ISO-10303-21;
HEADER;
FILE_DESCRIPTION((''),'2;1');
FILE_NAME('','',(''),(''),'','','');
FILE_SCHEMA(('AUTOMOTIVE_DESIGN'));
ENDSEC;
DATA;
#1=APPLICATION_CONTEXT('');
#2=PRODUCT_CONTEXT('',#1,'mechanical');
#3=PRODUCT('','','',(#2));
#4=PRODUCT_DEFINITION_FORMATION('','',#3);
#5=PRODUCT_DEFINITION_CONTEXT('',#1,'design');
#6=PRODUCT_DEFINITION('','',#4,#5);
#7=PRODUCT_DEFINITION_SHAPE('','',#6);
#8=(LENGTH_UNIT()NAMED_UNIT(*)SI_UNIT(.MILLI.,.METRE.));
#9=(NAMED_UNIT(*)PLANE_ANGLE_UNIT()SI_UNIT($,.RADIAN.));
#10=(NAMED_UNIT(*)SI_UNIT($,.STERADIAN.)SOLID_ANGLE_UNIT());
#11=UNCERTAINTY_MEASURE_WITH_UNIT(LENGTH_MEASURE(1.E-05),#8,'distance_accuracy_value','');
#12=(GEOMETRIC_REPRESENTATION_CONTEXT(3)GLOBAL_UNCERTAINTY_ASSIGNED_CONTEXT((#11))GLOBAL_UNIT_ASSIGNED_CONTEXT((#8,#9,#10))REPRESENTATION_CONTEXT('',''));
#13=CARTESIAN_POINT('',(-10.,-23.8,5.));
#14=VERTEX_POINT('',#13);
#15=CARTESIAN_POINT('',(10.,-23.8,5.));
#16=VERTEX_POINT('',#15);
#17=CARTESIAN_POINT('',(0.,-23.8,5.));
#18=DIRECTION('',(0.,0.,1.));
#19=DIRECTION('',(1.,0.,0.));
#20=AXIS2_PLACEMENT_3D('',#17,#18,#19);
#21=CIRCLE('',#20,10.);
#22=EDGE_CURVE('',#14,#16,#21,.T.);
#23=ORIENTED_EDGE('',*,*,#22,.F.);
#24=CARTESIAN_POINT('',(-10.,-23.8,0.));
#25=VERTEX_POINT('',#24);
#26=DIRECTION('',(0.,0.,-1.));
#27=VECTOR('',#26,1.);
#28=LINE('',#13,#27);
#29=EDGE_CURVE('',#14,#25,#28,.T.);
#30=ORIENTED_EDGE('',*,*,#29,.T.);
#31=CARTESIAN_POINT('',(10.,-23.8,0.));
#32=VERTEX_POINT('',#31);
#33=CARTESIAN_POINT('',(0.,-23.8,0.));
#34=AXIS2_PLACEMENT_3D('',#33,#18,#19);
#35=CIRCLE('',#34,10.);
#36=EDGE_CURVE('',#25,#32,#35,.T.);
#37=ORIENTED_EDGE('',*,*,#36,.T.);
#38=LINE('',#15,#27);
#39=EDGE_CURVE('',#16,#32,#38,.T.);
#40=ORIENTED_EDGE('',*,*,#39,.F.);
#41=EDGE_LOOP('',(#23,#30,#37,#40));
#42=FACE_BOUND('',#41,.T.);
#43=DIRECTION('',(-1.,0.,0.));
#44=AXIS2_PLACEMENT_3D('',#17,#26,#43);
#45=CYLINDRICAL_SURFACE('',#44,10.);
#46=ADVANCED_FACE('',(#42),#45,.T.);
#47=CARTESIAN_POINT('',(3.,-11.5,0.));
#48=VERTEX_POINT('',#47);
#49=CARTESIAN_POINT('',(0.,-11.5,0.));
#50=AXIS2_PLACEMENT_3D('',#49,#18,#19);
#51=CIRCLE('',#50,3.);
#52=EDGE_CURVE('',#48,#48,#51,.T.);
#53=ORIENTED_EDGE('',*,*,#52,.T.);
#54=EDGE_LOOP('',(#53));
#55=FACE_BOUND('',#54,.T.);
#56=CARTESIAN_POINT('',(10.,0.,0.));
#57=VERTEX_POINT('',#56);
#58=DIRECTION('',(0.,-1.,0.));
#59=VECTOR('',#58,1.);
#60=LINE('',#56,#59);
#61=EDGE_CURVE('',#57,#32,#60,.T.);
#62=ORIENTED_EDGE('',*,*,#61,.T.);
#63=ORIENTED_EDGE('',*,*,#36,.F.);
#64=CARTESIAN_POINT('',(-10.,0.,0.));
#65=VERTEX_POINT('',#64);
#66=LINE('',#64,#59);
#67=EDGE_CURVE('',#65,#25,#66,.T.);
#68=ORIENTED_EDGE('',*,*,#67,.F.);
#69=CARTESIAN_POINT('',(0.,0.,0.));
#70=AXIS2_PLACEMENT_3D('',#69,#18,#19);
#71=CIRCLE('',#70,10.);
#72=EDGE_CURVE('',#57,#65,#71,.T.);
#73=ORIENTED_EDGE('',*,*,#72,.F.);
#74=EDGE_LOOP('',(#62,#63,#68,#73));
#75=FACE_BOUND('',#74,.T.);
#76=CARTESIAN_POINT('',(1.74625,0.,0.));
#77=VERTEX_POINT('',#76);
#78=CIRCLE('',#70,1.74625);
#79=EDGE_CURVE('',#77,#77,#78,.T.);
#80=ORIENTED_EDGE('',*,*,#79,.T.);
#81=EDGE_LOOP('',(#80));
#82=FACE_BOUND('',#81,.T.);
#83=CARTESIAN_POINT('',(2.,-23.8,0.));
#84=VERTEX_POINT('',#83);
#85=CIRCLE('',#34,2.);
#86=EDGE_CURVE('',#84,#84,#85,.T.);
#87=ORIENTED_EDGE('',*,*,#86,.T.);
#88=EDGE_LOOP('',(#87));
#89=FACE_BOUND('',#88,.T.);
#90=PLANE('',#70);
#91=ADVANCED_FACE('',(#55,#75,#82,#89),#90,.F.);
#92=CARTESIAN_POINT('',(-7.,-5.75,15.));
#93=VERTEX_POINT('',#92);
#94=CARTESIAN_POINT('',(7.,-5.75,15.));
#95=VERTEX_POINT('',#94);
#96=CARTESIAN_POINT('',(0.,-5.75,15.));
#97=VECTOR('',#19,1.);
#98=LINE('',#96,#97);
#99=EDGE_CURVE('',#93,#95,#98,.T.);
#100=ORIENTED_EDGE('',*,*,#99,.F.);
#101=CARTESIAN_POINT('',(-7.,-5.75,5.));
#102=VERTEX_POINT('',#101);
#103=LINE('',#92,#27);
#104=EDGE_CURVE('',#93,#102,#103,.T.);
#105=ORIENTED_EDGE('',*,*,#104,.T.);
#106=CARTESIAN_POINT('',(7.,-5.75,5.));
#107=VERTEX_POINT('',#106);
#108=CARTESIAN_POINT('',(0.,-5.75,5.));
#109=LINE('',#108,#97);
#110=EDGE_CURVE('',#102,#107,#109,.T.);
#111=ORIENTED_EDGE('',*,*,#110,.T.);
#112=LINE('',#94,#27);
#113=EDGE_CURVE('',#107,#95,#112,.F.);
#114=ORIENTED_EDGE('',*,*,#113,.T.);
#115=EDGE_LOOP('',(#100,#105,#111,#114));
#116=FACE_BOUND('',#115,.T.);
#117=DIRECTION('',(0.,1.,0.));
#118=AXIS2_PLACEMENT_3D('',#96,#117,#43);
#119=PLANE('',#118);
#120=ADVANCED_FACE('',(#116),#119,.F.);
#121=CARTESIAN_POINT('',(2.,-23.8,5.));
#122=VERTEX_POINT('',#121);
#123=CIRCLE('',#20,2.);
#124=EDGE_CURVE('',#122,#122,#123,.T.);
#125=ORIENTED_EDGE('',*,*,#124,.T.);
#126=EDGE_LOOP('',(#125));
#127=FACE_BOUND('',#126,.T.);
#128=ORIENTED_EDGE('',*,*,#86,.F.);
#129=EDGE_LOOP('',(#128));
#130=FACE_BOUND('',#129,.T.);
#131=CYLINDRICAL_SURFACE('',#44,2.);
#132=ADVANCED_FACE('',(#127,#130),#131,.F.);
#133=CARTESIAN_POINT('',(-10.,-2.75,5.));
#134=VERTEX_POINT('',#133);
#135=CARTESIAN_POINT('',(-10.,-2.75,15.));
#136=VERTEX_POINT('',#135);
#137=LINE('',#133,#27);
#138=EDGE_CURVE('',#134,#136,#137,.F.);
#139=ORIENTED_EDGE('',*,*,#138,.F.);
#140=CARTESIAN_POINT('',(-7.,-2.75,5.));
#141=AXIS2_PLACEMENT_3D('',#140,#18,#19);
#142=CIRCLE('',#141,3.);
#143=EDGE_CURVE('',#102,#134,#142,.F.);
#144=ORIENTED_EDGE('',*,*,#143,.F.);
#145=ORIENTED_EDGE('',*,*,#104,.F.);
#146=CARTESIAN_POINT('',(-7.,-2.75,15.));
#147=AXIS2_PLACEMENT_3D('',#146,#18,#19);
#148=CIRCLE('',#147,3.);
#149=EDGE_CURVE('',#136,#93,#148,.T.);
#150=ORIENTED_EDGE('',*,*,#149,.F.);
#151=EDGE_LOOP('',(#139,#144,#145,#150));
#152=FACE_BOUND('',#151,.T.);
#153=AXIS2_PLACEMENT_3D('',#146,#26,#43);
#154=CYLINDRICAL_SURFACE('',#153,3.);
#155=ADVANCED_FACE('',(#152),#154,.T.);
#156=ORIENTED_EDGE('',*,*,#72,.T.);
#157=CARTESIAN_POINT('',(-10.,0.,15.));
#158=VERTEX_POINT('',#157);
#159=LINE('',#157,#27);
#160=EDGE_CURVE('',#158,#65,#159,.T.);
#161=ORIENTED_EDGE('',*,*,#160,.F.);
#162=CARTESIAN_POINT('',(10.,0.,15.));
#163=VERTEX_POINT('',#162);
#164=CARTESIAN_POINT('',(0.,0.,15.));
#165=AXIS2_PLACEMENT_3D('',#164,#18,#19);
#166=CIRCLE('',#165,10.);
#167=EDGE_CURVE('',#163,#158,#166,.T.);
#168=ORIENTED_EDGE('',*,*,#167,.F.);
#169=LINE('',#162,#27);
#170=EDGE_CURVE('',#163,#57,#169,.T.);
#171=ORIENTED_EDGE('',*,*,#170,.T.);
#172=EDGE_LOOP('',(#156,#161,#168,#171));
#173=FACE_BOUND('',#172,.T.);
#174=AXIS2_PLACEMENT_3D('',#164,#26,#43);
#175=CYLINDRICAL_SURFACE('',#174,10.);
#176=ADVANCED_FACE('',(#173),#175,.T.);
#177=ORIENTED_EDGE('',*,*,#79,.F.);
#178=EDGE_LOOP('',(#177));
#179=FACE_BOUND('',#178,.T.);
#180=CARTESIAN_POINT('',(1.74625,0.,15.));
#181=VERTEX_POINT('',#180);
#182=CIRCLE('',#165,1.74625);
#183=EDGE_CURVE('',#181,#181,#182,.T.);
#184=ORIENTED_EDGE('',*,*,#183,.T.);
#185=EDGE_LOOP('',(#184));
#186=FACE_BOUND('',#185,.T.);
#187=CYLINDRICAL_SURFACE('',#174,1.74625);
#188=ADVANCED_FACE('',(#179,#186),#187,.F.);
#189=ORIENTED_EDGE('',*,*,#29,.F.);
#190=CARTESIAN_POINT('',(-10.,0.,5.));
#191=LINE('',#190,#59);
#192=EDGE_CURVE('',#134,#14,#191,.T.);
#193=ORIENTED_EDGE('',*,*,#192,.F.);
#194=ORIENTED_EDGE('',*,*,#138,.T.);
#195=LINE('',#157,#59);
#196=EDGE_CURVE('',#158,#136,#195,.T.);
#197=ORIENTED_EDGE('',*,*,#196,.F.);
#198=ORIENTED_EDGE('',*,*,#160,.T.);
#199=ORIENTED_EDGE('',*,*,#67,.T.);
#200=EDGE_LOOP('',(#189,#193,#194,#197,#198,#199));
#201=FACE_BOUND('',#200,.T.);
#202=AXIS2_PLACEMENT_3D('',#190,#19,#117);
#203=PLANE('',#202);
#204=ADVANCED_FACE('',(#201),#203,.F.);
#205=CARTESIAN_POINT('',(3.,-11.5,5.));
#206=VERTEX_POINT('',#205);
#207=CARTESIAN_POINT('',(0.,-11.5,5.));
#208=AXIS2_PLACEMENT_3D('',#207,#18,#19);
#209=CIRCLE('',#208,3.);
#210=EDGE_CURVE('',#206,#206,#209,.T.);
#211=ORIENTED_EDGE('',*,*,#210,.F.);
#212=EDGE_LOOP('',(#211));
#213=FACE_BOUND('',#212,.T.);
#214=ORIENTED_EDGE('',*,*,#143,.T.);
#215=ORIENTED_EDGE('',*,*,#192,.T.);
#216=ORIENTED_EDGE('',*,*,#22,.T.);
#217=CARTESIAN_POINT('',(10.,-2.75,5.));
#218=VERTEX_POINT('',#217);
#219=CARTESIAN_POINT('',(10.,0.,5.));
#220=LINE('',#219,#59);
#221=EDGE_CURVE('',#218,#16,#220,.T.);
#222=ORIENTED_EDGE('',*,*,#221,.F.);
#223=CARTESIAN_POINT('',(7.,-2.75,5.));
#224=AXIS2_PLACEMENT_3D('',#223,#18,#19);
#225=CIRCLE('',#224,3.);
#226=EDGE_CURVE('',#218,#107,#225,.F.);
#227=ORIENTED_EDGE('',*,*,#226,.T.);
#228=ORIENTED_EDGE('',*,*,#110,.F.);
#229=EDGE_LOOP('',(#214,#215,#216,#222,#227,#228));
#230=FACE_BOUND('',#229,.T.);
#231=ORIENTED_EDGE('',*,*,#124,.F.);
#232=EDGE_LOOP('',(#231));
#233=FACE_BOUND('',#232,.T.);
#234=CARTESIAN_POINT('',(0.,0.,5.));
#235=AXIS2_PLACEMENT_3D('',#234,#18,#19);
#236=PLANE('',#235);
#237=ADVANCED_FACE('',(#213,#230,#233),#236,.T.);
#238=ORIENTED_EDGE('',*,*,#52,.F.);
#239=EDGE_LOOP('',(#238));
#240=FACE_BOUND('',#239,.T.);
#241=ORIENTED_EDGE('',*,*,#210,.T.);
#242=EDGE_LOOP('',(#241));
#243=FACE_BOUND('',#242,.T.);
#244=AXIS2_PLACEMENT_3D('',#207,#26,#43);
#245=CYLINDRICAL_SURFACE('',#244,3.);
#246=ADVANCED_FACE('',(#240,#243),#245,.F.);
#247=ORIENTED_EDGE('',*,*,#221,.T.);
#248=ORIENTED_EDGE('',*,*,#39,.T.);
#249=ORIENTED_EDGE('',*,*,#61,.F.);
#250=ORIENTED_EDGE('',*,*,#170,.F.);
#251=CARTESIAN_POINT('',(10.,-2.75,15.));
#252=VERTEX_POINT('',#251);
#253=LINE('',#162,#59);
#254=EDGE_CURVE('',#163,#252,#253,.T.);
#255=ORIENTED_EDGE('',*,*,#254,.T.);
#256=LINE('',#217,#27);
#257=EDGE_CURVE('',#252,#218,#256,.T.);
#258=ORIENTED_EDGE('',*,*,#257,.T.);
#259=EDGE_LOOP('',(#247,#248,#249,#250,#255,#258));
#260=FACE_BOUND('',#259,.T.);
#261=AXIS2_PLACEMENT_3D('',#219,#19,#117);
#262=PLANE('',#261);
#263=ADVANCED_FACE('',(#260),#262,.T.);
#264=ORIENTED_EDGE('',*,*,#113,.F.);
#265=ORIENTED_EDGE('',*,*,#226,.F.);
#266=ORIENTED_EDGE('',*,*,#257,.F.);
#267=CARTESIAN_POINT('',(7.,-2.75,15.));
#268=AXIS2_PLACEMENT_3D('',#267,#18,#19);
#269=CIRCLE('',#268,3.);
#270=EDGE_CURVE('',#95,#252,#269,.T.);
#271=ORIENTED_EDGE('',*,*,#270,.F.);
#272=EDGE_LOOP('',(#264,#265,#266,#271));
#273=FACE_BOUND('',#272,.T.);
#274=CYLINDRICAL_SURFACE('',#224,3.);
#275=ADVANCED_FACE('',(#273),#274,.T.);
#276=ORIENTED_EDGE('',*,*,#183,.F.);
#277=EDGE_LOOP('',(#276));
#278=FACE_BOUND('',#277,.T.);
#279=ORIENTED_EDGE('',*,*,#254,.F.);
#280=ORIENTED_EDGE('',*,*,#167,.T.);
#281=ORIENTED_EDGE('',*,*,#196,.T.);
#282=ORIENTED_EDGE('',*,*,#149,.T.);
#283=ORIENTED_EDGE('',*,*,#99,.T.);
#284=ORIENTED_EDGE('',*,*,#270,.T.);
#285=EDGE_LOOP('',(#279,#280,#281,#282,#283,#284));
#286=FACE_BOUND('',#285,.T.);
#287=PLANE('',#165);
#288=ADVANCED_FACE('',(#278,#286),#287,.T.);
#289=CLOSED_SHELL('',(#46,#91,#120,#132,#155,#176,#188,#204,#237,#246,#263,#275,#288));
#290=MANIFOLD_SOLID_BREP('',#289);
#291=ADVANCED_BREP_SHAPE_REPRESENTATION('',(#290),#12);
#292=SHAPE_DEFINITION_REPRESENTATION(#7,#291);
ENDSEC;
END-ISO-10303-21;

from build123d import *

# Parameters (mm, degrees)
SKETCH1_R           = 2
SKETCH1_R_2         = 3
BOSS_EXTRUDE1_DEPTH = 5
SKETCH1_3_R         = 1.74625
BOSS_EXTRUDE2_DEPTH = 15
FILLET1_R           = 3


with BuildPart() as part:
    # Sketch1 → Boss-Extrude1 (new body)
    with BuildSketch(Plane.XY):
        with BuildLine():
            Line((10, -23.8), (10, -5.75))
            Line((10, -5.75), (-10, -5.75))
            Line((-10, -5.75), (-10, -23.8))
            ThreePointArc((-10, -23.8), (0, -33.8), (10, -23.8))
        make_face()
        with Locations((0, -23.8)):
            Circle(SKETCH1_R, mode=Mode.SUBTRACT)
        with Locations((0, -11.5)):
            Circle(SKETCH1_R_2, mode=Mode.SUBTRACT)
    extrude(amount=BOSS_EXTRUDE1_DEPTH)

    # Sketch1<3> → Boss-Extrude2 (add)
    with BuildSketch(Plane.XY):
        with BuildLine():
            Line((10, -5.75), (10, 0))
            ThreePointArc((10, 0), (0, 10), (-10, 0))
            Line((-10, 0), (-10, -5.75))
            Line((-10, -5.75), (10, -5.75))
        make_face()
        Circle(SKETCH1_3_R, mode=Mode.SUBTRACT)
    extrude(amount=BOSS_EXTRUDE2_DEPTH)

    # Fillet1
    fillet1_edges = [part.edges().sort_by_distance(p)[0] for p in [
        (-10, -5.75, 10),
        (10, -5.75, 10),
    ]]
    fillet(fillet1_edges, radius=FILLET1_R)


solid = part.part
